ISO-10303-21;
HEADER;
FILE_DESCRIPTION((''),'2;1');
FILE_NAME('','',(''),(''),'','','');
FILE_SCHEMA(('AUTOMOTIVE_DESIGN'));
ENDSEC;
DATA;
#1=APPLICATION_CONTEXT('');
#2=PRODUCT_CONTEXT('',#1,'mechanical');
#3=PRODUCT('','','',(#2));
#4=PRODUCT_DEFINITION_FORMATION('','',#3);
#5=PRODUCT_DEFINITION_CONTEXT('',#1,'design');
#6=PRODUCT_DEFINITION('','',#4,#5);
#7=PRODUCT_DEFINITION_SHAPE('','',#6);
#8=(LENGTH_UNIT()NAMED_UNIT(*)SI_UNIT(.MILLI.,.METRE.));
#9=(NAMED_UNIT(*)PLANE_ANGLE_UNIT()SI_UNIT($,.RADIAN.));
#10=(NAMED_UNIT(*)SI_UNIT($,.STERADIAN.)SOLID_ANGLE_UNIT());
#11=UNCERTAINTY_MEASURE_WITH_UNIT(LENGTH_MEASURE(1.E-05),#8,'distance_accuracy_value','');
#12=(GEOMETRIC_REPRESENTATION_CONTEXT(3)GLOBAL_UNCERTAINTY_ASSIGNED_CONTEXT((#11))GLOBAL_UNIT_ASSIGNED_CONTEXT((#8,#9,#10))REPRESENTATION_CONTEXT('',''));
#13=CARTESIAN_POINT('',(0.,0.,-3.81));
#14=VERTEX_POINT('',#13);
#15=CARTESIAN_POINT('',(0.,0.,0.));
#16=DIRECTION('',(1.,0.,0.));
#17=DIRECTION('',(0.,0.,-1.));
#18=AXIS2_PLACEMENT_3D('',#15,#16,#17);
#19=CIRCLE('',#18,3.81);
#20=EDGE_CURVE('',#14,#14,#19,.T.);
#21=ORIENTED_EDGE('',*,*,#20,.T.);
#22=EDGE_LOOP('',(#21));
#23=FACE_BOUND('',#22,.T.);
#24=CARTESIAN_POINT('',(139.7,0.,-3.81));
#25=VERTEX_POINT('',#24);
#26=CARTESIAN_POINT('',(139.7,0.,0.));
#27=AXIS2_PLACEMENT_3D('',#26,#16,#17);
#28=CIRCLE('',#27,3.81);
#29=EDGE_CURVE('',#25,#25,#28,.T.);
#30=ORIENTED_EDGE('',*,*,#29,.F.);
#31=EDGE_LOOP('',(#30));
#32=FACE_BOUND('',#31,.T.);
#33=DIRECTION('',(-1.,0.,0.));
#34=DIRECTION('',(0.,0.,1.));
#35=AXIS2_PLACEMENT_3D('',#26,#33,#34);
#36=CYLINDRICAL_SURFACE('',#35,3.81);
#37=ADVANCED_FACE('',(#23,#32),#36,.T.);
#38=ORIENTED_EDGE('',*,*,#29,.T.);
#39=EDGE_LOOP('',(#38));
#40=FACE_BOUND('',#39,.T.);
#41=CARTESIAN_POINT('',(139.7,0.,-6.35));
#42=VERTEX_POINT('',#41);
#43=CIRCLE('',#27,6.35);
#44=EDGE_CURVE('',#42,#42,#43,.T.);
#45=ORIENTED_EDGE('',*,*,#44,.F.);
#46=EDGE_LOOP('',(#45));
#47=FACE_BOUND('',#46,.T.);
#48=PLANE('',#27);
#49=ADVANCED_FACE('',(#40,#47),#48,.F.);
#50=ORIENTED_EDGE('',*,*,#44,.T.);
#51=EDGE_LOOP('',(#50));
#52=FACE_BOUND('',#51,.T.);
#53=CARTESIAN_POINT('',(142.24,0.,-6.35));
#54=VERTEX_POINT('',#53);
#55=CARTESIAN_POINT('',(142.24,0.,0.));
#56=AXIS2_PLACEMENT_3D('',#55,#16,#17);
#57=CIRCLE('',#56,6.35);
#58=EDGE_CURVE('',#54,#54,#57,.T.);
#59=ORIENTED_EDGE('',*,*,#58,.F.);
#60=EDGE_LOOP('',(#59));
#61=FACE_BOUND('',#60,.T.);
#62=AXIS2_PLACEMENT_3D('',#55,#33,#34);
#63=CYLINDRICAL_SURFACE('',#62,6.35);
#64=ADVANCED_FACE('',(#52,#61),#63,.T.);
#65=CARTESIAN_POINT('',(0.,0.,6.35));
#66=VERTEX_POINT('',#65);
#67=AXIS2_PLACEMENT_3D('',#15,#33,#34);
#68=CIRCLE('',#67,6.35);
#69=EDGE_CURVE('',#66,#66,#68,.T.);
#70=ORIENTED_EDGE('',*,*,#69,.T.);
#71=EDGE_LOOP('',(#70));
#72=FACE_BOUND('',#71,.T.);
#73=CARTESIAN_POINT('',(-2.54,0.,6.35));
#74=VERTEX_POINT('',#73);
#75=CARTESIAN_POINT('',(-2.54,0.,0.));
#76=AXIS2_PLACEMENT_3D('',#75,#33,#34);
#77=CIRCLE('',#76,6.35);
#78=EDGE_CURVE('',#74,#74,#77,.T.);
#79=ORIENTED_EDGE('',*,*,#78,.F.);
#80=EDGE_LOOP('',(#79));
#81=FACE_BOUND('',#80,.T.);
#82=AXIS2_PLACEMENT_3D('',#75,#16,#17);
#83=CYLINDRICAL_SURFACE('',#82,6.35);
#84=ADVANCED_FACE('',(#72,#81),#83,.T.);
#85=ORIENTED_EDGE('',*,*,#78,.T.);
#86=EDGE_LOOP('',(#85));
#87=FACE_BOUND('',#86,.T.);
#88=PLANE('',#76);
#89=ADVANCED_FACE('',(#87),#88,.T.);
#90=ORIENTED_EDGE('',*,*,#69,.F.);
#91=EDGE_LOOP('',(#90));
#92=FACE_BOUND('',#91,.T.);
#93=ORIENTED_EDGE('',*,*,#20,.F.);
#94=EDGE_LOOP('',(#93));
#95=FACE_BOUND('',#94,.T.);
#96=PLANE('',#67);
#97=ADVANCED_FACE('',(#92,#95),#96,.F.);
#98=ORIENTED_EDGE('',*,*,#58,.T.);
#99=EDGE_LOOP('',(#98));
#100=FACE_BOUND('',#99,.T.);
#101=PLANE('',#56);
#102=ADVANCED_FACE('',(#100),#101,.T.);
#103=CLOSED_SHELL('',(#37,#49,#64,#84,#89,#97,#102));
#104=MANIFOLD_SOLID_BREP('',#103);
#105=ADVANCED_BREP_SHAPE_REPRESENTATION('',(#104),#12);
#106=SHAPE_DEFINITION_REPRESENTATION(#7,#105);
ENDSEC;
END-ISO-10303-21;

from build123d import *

# Parameters (mm, degrees)
SKETCH1_R           = 3.81
BOSS_EXTRUDE1_DEPTH = 139.7
SKETCH2_R           = 6.35
BOSS_EXTRUDE2_DEPTH = 2.54
BOSS_EXTRUDE3_START = 2.54
SKETCH3_R           = 6.35
BOSS_EXTRUDE3_DEPTH = 2.54


with BuildPart() as part:
    # Sketch1 → Boss-Extrude1 (new body)
    with BuildSketch(Plane(origin=(0, 0, 0), x_dir=(0, 0, -1), z_dir=(1, 0, 0))):
        Circle(SKETCH1_R)
    extrude(amount=BOSS_EXTRUDE1_DEPTH)

    # Sketch2 → Boss-Extrude2 (add)
    with BuildSketch(Plane(origin=(139.7, 0, 0), x_dir=(0, 0, -1), z_dir=(1, 0, 0))):
        Circle(SKETCH2_R)
    extrude(amount=BOSS_EXTRUDE2_DEPTH)

    # Sketch3 → Boss-Extrude3 (add)
    with BuildSketch(Plane.ZY.offset(BOSS_EXTRUDE3_START)):
        with Locations(Location((0, 0, 0), (0, 0, 180))):
            Circle(SKETCH3_R)
    extrude(amount=-BOSS_EXTRUDE3_DEPTH)


solid = part.part
